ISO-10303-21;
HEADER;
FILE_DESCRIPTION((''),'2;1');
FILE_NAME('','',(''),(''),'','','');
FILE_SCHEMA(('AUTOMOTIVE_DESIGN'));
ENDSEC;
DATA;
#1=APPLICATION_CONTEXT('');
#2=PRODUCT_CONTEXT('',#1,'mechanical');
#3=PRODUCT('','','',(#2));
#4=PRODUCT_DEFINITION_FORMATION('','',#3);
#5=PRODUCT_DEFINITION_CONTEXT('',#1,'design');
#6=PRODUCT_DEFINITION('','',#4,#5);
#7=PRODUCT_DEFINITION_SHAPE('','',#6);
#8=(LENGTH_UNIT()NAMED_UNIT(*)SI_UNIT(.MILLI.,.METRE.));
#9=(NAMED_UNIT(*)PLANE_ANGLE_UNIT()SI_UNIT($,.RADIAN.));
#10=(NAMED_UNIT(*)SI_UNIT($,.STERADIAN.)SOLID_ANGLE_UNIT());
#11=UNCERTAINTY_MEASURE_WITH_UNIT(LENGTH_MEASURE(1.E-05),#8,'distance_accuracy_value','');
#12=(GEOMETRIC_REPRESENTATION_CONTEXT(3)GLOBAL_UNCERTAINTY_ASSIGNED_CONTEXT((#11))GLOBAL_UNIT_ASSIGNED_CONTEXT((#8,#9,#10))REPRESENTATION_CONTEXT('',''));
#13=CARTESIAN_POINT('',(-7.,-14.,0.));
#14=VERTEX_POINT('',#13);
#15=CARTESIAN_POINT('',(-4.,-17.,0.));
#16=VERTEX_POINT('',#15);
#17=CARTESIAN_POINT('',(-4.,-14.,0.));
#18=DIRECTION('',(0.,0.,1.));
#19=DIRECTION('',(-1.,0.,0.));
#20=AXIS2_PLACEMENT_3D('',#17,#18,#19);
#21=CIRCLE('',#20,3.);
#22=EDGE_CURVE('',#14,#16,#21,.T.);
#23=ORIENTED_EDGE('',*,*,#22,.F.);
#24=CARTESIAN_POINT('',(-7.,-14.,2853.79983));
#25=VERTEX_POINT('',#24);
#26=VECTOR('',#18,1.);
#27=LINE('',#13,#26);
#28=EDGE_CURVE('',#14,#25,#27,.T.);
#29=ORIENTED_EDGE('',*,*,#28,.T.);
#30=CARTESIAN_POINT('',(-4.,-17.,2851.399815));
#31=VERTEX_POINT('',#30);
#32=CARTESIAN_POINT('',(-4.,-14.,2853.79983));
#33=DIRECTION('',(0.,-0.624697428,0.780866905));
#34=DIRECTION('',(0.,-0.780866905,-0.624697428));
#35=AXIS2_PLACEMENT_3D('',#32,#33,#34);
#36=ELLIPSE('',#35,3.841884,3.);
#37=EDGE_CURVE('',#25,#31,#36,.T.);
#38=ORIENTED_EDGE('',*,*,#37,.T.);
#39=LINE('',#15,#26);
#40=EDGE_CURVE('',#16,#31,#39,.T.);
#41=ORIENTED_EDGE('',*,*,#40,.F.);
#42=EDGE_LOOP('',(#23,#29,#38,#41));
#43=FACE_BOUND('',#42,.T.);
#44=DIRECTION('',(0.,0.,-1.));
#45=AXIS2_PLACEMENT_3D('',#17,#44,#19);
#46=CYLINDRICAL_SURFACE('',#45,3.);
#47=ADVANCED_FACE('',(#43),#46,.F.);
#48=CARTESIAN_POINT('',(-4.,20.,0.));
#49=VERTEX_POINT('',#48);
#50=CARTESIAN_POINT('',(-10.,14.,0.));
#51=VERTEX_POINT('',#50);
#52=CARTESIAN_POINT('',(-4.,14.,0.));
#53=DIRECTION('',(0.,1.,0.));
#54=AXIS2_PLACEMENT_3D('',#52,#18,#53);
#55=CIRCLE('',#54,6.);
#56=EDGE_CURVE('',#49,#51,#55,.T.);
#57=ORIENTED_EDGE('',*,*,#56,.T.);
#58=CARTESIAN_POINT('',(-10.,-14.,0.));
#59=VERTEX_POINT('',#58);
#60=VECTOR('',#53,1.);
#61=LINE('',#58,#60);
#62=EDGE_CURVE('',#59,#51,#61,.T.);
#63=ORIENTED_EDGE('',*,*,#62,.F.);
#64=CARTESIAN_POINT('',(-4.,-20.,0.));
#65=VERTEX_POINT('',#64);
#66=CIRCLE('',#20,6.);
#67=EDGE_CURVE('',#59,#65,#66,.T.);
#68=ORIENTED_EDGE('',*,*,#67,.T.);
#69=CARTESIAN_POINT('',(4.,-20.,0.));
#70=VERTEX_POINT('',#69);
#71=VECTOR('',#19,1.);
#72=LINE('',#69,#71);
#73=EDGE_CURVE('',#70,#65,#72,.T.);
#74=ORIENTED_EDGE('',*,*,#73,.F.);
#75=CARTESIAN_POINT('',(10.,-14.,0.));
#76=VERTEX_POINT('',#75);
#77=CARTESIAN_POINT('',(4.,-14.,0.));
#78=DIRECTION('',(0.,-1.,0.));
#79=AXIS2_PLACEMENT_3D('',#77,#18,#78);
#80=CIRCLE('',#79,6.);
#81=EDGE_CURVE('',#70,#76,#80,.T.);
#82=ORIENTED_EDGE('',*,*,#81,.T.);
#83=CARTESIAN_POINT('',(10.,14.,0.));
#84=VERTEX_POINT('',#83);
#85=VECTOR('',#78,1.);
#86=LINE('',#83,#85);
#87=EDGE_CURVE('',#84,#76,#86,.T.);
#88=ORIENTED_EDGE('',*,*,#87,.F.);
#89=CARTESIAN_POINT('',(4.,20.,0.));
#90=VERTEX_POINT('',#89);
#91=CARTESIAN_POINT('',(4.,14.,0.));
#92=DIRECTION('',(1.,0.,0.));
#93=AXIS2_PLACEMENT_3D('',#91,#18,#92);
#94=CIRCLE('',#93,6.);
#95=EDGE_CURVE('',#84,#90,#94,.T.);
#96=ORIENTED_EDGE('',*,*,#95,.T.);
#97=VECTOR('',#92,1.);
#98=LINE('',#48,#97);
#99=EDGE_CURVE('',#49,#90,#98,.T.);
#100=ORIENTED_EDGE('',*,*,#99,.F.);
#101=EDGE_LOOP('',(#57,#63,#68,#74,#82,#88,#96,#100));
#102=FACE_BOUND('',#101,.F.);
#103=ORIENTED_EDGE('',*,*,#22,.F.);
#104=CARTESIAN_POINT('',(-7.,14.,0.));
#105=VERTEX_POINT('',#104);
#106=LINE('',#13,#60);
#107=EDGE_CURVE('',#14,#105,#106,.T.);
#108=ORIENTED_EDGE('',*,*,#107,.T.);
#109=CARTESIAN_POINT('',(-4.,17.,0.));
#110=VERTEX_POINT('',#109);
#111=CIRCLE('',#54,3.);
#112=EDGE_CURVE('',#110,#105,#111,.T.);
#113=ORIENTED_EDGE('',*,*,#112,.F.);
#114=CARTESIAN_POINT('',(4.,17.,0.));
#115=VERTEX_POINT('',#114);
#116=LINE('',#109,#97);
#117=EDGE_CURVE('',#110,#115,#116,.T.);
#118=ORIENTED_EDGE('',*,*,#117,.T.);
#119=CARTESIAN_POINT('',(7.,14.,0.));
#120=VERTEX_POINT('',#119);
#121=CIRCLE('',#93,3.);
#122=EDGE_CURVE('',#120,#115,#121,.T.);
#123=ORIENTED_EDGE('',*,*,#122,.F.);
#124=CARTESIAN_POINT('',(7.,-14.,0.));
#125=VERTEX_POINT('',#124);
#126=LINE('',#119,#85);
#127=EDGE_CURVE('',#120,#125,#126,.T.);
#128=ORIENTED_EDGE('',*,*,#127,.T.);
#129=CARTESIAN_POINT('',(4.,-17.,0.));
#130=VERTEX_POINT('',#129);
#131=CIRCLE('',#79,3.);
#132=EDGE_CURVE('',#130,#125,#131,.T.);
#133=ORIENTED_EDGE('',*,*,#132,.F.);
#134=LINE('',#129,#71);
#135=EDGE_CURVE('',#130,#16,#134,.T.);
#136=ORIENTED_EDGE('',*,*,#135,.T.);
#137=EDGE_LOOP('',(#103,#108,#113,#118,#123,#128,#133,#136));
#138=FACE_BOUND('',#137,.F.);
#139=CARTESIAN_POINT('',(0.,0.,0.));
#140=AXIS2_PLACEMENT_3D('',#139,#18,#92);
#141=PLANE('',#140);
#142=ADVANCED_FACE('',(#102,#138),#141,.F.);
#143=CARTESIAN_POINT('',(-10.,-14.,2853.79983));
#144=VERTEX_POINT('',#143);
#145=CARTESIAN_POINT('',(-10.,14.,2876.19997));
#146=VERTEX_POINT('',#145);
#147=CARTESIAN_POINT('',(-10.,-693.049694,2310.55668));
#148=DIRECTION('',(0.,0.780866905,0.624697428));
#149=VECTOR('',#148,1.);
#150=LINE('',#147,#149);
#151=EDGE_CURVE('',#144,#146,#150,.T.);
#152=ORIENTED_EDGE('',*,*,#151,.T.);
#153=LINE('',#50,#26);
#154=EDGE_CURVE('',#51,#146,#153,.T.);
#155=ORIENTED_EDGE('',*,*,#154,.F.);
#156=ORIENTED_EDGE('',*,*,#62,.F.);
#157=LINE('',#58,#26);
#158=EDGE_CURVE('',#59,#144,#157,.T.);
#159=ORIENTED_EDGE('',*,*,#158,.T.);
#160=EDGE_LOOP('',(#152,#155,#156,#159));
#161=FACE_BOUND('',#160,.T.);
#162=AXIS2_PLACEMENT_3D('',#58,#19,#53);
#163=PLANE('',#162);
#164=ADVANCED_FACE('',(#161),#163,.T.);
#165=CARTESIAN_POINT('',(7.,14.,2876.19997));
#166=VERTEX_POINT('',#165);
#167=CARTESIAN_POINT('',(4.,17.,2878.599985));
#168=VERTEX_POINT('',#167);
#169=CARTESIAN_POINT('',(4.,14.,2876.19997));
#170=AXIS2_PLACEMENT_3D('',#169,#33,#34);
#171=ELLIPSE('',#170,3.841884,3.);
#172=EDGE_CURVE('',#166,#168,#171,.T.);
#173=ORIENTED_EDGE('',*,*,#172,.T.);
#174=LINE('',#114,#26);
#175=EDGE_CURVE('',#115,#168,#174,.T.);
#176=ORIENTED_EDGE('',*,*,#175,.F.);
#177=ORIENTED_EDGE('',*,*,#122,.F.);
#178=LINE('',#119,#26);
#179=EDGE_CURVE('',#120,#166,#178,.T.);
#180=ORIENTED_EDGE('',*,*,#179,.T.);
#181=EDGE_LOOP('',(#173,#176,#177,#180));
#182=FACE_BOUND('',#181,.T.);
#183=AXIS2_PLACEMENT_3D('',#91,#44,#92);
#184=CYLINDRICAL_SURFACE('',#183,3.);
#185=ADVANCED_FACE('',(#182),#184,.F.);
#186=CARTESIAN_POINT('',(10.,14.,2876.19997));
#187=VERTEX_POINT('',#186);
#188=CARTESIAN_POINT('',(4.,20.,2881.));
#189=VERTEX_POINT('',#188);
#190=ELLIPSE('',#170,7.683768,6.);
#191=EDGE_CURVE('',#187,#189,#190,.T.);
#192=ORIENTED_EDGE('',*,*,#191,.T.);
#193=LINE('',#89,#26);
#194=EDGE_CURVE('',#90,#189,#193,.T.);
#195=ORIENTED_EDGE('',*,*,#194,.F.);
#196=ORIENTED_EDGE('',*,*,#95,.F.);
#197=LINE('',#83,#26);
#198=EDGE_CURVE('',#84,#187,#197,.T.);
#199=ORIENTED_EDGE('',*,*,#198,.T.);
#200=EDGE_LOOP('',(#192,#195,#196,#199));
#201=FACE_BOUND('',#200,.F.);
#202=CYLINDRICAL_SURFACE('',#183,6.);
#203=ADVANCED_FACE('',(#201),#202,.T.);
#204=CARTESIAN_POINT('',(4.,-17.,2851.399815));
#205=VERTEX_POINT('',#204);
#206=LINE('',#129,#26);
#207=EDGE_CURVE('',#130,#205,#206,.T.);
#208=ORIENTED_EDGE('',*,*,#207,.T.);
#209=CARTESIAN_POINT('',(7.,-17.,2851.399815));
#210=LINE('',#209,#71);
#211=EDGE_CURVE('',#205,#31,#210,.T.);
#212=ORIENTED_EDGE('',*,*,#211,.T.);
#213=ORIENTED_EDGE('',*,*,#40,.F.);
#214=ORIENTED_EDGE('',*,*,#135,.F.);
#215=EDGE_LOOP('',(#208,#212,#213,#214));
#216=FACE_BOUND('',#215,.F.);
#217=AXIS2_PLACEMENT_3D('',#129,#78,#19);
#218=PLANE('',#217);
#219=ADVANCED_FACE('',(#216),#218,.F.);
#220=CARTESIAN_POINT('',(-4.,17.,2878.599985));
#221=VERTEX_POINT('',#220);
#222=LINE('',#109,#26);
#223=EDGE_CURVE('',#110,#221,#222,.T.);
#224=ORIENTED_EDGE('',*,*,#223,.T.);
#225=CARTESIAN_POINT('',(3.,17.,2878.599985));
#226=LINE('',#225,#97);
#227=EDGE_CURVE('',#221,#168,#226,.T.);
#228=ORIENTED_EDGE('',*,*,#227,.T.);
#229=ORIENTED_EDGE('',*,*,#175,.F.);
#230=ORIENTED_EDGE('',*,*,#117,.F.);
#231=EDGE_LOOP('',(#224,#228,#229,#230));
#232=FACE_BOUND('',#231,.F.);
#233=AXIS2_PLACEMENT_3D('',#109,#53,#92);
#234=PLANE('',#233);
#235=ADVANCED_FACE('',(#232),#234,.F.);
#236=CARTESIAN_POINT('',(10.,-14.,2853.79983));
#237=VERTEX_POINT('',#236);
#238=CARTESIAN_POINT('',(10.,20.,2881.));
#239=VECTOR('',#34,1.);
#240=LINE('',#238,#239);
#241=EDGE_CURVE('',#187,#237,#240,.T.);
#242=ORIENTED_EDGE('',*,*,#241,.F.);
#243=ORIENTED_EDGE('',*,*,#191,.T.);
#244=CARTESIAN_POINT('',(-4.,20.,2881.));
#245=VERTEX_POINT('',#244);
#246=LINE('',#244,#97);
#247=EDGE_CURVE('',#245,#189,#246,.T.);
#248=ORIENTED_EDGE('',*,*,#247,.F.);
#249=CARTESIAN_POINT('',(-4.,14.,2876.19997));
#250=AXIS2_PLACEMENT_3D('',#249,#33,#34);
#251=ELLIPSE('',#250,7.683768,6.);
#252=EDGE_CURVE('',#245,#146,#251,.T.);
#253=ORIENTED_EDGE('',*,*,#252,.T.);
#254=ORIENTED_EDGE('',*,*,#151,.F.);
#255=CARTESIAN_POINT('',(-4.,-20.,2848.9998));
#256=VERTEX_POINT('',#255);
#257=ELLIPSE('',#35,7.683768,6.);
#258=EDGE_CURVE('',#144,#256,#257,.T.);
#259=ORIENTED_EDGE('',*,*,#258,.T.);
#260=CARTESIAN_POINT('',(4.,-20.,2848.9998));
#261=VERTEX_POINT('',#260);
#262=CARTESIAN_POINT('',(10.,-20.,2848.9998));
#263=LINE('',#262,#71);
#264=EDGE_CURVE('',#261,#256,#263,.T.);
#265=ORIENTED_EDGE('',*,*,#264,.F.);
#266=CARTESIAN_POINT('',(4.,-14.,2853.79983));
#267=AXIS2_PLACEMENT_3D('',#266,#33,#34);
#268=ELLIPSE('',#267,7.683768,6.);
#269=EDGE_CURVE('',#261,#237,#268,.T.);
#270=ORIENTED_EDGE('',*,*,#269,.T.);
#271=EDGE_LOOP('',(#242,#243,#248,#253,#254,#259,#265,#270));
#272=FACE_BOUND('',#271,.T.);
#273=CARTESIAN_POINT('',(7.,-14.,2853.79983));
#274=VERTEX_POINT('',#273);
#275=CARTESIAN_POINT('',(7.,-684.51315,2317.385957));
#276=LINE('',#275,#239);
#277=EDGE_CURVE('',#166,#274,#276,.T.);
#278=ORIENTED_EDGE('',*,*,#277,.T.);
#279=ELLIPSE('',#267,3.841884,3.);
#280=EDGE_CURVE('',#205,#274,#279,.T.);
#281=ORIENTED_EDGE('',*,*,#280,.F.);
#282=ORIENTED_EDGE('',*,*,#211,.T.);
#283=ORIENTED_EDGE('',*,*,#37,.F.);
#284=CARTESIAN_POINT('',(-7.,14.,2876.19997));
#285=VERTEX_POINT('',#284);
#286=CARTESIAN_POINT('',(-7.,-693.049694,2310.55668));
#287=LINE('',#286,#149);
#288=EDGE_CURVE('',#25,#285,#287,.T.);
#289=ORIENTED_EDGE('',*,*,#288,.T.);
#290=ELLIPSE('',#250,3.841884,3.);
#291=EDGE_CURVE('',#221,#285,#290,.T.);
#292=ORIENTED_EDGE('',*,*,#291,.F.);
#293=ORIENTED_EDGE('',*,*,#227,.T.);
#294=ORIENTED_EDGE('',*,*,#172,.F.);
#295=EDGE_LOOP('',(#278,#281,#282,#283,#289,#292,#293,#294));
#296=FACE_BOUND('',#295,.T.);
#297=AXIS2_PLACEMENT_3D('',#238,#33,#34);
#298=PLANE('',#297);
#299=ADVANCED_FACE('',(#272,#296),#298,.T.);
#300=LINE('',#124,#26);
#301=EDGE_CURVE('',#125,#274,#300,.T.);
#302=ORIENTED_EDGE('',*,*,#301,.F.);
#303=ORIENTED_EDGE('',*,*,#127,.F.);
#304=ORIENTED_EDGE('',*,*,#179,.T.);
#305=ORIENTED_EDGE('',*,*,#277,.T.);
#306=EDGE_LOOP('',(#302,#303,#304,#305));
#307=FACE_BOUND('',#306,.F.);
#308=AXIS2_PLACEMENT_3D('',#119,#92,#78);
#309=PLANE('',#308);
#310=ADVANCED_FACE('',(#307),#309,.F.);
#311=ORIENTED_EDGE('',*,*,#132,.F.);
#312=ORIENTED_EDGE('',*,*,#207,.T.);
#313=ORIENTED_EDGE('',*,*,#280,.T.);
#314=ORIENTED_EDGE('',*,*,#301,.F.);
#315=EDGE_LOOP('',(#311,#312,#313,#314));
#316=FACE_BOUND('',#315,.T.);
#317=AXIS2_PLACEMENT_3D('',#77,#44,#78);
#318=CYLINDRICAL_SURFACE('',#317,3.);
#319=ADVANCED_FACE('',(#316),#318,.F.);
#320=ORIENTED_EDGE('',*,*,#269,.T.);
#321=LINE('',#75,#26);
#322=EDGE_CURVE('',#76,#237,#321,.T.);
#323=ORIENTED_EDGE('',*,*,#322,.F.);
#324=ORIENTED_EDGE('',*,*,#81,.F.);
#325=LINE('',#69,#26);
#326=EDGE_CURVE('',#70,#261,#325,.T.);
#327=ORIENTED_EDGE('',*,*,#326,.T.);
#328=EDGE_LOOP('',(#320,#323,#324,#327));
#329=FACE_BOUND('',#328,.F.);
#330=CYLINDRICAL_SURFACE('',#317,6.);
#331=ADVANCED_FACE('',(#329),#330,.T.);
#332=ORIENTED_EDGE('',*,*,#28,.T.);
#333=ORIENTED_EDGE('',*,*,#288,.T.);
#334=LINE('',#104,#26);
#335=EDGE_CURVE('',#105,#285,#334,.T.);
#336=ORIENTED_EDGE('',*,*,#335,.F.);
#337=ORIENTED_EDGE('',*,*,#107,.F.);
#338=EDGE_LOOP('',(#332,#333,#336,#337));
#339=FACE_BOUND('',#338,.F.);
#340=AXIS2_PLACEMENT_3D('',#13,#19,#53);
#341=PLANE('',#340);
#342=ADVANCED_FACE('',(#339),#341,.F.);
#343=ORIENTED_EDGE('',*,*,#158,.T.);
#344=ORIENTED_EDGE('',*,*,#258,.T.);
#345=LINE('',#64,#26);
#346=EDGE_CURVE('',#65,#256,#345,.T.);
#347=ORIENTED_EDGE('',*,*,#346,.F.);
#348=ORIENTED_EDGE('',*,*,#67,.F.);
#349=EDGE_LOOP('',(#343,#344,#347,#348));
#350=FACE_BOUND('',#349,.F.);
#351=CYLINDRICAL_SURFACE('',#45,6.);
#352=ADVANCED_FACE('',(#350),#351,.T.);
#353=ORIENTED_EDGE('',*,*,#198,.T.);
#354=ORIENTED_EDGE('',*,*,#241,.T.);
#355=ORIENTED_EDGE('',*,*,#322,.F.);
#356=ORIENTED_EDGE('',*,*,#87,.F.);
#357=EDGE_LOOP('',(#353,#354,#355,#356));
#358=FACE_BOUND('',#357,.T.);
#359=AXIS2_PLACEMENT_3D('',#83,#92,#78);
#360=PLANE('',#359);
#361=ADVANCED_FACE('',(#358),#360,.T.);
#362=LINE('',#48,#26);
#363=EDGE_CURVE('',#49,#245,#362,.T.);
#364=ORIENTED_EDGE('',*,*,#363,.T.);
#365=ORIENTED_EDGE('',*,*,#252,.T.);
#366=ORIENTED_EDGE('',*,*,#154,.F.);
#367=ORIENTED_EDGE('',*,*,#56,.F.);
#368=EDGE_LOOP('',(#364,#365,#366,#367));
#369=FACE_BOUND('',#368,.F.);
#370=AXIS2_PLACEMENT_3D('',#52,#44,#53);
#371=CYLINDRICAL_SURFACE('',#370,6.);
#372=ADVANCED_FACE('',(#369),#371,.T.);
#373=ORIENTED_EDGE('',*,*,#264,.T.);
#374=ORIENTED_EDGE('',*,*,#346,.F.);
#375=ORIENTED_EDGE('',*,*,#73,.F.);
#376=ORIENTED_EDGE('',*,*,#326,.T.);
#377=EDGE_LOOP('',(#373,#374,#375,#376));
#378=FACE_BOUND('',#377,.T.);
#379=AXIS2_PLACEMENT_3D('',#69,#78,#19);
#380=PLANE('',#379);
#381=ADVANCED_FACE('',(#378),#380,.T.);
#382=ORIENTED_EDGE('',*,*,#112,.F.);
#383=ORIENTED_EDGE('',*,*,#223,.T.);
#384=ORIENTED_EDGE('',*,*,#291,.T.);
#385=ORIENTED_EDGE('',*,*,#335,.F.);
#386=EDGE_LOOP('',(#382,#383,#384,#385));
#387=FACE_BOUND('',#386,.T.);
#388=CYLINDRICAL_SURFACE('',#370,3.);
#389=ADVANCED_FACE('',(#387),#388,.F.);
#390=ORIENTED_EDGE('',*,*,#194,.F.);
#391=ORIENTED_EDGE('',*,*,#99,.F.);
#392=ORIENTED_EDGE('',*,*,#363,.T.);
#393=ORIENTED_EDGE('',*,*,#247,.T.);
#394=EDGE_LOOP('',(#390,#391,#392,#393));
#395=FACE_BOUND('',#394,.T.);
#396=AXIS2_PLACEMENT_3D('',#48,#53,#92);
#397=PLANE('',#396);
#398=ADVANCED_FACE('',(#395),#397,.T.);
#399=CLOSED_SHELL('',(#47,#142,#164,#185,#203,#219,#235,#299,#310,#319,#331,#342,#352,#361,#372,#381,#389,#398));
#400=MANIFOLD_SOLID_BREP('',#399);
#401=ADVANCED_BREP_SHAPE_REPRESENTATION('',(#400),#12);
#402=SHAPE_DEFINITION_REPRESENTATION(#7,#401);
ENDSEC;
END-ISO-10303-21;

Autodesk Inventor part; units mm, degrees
ref_plane "YZ Plane" through (0, 0, 0) normal (1, 0, 0) x (0, 1, 0)
ref_plane "Start Plane" through (0, 0, 0) normal (0, 0, 1) x (1, 0, 0)
ref_plane "End Plane" through (0, 0, 2881) normal (0, 0, 1) x (1, 0, 0)
sketch "Sketch" plane through (0, 0, 0) normal (0, 0, 1) x (1, 0, 0)
  line L0 (-10, -14) -> (-10, 14)
  line L1 (-4, 20) -> (4, 20)
  line L2 (10, 14) -> (10, -14)
  line L3 (4, -20) -> (-4, -20)
  arc A0 (-10, -14) -> (-4, -20) centre (-4, -14) ccw
  arc A1 (10, 14) -> (4, 20) centre (4, 14) ccw
  arc A2 (-4, 20) -> (-10, 14) centre (-4, 14) ccw
  arc A3 (4, -20) -> (10, -14) centre (4, -14) ccw
  arc A4 (-4, 17) -> (-7, 14) centre (-4, 14) ccw
  line L4 (-4, 17) -> (4, 17)
  arc A5 (7, 14) -> (4, 17) centre (4, 14) ccw
  line L5 (7, 14) -> (7, -14)
  arc A6 (4, -17) -> (7, -14) centre (4, -14) ccw
  line L6 (4, -17) -> (-4, -17)
  arc A7 (-7, -14) -> (-4, -17) centre (-4, -14) ccw
  line L7 (-7, -14) -> (-7, 14)
  line L8 (0, 29.7397) -> (0, -29.7397) construction
  line L9 (-15.7397, 0) -> (15.7397, 0) construction
  dimension "d7" = 6
  dimension "d9" = 20
  dimension "d11" = 40
  dimension "d12" = 3
  dimension "d15" = 10
  dimension "d16" = 20
extrude "Body" add sketch "Sketch" along normal up to surface (2881 mm away) from surface at 0
sketch "Sketch3" plane through (0, 0, 0) normal (0, 0, 1) x (1, 0, 0)
  line L0 (0, 0) -> (10, 0)
ref_plane "Work Plane3" through (0, 0, 0) normal (0, -1, 0) x (1, 0, 0)
sketch "Sketch5" plane through (10, -14, 2881) normal (1, 0, 0) x (0, 0, -1)
  line L0 (0, 28) -> (0, 34) projected
  line L1 (0, 34) -> (32.0002, -6)
  line L2 (2881, -6) -> (0, -6) projected
  line L3 (0, -6) -> (0, 0)
  line L4 (0, 28) -> (0, 0)
  point P0 (2881, 14)
  dimension "d19" = 38.66
extrude "Extrusion2" cut sketch "Sketch5" against normal through all
sketch "Sketch4" plane through (0, 0, 0) normal (0, -1, 0) x (1, 0, 0)
  line L0 (-2, 0) -> (12, 0) projected
  line L1 (-2, 2881) -> (12, 2881) projected
  dimension "d18" = 2881
equation "\"d7\" = G_IR"
equation "\"d9\" = G_W"
equation "\"d11\" = G_H"
equation "\"d12\" = G_T"
equation "\"d15\" = 0.5 * d9"
equation "\"d16\" = 0.5 * d11"
equation "\"d3\" = G_L"
equation "\"G_W\" = 20"
equation "\"G_H\" = 40"
equation "\"G_T\" = 3"
equation "\"G_IR\" = 6"
equation "\"G_L\" = d18"
equation "\"G_OFFSET_START\" = 0"
equation "\"G_OFFSET_END\" = 0"
equation "\"d14\" = G_OFFSET_END + B_L"
equation "\"B_L\" = 2881"
properties part number "ISO 4019 - 40x20x3 - 2881" material "Steel, Mild"
